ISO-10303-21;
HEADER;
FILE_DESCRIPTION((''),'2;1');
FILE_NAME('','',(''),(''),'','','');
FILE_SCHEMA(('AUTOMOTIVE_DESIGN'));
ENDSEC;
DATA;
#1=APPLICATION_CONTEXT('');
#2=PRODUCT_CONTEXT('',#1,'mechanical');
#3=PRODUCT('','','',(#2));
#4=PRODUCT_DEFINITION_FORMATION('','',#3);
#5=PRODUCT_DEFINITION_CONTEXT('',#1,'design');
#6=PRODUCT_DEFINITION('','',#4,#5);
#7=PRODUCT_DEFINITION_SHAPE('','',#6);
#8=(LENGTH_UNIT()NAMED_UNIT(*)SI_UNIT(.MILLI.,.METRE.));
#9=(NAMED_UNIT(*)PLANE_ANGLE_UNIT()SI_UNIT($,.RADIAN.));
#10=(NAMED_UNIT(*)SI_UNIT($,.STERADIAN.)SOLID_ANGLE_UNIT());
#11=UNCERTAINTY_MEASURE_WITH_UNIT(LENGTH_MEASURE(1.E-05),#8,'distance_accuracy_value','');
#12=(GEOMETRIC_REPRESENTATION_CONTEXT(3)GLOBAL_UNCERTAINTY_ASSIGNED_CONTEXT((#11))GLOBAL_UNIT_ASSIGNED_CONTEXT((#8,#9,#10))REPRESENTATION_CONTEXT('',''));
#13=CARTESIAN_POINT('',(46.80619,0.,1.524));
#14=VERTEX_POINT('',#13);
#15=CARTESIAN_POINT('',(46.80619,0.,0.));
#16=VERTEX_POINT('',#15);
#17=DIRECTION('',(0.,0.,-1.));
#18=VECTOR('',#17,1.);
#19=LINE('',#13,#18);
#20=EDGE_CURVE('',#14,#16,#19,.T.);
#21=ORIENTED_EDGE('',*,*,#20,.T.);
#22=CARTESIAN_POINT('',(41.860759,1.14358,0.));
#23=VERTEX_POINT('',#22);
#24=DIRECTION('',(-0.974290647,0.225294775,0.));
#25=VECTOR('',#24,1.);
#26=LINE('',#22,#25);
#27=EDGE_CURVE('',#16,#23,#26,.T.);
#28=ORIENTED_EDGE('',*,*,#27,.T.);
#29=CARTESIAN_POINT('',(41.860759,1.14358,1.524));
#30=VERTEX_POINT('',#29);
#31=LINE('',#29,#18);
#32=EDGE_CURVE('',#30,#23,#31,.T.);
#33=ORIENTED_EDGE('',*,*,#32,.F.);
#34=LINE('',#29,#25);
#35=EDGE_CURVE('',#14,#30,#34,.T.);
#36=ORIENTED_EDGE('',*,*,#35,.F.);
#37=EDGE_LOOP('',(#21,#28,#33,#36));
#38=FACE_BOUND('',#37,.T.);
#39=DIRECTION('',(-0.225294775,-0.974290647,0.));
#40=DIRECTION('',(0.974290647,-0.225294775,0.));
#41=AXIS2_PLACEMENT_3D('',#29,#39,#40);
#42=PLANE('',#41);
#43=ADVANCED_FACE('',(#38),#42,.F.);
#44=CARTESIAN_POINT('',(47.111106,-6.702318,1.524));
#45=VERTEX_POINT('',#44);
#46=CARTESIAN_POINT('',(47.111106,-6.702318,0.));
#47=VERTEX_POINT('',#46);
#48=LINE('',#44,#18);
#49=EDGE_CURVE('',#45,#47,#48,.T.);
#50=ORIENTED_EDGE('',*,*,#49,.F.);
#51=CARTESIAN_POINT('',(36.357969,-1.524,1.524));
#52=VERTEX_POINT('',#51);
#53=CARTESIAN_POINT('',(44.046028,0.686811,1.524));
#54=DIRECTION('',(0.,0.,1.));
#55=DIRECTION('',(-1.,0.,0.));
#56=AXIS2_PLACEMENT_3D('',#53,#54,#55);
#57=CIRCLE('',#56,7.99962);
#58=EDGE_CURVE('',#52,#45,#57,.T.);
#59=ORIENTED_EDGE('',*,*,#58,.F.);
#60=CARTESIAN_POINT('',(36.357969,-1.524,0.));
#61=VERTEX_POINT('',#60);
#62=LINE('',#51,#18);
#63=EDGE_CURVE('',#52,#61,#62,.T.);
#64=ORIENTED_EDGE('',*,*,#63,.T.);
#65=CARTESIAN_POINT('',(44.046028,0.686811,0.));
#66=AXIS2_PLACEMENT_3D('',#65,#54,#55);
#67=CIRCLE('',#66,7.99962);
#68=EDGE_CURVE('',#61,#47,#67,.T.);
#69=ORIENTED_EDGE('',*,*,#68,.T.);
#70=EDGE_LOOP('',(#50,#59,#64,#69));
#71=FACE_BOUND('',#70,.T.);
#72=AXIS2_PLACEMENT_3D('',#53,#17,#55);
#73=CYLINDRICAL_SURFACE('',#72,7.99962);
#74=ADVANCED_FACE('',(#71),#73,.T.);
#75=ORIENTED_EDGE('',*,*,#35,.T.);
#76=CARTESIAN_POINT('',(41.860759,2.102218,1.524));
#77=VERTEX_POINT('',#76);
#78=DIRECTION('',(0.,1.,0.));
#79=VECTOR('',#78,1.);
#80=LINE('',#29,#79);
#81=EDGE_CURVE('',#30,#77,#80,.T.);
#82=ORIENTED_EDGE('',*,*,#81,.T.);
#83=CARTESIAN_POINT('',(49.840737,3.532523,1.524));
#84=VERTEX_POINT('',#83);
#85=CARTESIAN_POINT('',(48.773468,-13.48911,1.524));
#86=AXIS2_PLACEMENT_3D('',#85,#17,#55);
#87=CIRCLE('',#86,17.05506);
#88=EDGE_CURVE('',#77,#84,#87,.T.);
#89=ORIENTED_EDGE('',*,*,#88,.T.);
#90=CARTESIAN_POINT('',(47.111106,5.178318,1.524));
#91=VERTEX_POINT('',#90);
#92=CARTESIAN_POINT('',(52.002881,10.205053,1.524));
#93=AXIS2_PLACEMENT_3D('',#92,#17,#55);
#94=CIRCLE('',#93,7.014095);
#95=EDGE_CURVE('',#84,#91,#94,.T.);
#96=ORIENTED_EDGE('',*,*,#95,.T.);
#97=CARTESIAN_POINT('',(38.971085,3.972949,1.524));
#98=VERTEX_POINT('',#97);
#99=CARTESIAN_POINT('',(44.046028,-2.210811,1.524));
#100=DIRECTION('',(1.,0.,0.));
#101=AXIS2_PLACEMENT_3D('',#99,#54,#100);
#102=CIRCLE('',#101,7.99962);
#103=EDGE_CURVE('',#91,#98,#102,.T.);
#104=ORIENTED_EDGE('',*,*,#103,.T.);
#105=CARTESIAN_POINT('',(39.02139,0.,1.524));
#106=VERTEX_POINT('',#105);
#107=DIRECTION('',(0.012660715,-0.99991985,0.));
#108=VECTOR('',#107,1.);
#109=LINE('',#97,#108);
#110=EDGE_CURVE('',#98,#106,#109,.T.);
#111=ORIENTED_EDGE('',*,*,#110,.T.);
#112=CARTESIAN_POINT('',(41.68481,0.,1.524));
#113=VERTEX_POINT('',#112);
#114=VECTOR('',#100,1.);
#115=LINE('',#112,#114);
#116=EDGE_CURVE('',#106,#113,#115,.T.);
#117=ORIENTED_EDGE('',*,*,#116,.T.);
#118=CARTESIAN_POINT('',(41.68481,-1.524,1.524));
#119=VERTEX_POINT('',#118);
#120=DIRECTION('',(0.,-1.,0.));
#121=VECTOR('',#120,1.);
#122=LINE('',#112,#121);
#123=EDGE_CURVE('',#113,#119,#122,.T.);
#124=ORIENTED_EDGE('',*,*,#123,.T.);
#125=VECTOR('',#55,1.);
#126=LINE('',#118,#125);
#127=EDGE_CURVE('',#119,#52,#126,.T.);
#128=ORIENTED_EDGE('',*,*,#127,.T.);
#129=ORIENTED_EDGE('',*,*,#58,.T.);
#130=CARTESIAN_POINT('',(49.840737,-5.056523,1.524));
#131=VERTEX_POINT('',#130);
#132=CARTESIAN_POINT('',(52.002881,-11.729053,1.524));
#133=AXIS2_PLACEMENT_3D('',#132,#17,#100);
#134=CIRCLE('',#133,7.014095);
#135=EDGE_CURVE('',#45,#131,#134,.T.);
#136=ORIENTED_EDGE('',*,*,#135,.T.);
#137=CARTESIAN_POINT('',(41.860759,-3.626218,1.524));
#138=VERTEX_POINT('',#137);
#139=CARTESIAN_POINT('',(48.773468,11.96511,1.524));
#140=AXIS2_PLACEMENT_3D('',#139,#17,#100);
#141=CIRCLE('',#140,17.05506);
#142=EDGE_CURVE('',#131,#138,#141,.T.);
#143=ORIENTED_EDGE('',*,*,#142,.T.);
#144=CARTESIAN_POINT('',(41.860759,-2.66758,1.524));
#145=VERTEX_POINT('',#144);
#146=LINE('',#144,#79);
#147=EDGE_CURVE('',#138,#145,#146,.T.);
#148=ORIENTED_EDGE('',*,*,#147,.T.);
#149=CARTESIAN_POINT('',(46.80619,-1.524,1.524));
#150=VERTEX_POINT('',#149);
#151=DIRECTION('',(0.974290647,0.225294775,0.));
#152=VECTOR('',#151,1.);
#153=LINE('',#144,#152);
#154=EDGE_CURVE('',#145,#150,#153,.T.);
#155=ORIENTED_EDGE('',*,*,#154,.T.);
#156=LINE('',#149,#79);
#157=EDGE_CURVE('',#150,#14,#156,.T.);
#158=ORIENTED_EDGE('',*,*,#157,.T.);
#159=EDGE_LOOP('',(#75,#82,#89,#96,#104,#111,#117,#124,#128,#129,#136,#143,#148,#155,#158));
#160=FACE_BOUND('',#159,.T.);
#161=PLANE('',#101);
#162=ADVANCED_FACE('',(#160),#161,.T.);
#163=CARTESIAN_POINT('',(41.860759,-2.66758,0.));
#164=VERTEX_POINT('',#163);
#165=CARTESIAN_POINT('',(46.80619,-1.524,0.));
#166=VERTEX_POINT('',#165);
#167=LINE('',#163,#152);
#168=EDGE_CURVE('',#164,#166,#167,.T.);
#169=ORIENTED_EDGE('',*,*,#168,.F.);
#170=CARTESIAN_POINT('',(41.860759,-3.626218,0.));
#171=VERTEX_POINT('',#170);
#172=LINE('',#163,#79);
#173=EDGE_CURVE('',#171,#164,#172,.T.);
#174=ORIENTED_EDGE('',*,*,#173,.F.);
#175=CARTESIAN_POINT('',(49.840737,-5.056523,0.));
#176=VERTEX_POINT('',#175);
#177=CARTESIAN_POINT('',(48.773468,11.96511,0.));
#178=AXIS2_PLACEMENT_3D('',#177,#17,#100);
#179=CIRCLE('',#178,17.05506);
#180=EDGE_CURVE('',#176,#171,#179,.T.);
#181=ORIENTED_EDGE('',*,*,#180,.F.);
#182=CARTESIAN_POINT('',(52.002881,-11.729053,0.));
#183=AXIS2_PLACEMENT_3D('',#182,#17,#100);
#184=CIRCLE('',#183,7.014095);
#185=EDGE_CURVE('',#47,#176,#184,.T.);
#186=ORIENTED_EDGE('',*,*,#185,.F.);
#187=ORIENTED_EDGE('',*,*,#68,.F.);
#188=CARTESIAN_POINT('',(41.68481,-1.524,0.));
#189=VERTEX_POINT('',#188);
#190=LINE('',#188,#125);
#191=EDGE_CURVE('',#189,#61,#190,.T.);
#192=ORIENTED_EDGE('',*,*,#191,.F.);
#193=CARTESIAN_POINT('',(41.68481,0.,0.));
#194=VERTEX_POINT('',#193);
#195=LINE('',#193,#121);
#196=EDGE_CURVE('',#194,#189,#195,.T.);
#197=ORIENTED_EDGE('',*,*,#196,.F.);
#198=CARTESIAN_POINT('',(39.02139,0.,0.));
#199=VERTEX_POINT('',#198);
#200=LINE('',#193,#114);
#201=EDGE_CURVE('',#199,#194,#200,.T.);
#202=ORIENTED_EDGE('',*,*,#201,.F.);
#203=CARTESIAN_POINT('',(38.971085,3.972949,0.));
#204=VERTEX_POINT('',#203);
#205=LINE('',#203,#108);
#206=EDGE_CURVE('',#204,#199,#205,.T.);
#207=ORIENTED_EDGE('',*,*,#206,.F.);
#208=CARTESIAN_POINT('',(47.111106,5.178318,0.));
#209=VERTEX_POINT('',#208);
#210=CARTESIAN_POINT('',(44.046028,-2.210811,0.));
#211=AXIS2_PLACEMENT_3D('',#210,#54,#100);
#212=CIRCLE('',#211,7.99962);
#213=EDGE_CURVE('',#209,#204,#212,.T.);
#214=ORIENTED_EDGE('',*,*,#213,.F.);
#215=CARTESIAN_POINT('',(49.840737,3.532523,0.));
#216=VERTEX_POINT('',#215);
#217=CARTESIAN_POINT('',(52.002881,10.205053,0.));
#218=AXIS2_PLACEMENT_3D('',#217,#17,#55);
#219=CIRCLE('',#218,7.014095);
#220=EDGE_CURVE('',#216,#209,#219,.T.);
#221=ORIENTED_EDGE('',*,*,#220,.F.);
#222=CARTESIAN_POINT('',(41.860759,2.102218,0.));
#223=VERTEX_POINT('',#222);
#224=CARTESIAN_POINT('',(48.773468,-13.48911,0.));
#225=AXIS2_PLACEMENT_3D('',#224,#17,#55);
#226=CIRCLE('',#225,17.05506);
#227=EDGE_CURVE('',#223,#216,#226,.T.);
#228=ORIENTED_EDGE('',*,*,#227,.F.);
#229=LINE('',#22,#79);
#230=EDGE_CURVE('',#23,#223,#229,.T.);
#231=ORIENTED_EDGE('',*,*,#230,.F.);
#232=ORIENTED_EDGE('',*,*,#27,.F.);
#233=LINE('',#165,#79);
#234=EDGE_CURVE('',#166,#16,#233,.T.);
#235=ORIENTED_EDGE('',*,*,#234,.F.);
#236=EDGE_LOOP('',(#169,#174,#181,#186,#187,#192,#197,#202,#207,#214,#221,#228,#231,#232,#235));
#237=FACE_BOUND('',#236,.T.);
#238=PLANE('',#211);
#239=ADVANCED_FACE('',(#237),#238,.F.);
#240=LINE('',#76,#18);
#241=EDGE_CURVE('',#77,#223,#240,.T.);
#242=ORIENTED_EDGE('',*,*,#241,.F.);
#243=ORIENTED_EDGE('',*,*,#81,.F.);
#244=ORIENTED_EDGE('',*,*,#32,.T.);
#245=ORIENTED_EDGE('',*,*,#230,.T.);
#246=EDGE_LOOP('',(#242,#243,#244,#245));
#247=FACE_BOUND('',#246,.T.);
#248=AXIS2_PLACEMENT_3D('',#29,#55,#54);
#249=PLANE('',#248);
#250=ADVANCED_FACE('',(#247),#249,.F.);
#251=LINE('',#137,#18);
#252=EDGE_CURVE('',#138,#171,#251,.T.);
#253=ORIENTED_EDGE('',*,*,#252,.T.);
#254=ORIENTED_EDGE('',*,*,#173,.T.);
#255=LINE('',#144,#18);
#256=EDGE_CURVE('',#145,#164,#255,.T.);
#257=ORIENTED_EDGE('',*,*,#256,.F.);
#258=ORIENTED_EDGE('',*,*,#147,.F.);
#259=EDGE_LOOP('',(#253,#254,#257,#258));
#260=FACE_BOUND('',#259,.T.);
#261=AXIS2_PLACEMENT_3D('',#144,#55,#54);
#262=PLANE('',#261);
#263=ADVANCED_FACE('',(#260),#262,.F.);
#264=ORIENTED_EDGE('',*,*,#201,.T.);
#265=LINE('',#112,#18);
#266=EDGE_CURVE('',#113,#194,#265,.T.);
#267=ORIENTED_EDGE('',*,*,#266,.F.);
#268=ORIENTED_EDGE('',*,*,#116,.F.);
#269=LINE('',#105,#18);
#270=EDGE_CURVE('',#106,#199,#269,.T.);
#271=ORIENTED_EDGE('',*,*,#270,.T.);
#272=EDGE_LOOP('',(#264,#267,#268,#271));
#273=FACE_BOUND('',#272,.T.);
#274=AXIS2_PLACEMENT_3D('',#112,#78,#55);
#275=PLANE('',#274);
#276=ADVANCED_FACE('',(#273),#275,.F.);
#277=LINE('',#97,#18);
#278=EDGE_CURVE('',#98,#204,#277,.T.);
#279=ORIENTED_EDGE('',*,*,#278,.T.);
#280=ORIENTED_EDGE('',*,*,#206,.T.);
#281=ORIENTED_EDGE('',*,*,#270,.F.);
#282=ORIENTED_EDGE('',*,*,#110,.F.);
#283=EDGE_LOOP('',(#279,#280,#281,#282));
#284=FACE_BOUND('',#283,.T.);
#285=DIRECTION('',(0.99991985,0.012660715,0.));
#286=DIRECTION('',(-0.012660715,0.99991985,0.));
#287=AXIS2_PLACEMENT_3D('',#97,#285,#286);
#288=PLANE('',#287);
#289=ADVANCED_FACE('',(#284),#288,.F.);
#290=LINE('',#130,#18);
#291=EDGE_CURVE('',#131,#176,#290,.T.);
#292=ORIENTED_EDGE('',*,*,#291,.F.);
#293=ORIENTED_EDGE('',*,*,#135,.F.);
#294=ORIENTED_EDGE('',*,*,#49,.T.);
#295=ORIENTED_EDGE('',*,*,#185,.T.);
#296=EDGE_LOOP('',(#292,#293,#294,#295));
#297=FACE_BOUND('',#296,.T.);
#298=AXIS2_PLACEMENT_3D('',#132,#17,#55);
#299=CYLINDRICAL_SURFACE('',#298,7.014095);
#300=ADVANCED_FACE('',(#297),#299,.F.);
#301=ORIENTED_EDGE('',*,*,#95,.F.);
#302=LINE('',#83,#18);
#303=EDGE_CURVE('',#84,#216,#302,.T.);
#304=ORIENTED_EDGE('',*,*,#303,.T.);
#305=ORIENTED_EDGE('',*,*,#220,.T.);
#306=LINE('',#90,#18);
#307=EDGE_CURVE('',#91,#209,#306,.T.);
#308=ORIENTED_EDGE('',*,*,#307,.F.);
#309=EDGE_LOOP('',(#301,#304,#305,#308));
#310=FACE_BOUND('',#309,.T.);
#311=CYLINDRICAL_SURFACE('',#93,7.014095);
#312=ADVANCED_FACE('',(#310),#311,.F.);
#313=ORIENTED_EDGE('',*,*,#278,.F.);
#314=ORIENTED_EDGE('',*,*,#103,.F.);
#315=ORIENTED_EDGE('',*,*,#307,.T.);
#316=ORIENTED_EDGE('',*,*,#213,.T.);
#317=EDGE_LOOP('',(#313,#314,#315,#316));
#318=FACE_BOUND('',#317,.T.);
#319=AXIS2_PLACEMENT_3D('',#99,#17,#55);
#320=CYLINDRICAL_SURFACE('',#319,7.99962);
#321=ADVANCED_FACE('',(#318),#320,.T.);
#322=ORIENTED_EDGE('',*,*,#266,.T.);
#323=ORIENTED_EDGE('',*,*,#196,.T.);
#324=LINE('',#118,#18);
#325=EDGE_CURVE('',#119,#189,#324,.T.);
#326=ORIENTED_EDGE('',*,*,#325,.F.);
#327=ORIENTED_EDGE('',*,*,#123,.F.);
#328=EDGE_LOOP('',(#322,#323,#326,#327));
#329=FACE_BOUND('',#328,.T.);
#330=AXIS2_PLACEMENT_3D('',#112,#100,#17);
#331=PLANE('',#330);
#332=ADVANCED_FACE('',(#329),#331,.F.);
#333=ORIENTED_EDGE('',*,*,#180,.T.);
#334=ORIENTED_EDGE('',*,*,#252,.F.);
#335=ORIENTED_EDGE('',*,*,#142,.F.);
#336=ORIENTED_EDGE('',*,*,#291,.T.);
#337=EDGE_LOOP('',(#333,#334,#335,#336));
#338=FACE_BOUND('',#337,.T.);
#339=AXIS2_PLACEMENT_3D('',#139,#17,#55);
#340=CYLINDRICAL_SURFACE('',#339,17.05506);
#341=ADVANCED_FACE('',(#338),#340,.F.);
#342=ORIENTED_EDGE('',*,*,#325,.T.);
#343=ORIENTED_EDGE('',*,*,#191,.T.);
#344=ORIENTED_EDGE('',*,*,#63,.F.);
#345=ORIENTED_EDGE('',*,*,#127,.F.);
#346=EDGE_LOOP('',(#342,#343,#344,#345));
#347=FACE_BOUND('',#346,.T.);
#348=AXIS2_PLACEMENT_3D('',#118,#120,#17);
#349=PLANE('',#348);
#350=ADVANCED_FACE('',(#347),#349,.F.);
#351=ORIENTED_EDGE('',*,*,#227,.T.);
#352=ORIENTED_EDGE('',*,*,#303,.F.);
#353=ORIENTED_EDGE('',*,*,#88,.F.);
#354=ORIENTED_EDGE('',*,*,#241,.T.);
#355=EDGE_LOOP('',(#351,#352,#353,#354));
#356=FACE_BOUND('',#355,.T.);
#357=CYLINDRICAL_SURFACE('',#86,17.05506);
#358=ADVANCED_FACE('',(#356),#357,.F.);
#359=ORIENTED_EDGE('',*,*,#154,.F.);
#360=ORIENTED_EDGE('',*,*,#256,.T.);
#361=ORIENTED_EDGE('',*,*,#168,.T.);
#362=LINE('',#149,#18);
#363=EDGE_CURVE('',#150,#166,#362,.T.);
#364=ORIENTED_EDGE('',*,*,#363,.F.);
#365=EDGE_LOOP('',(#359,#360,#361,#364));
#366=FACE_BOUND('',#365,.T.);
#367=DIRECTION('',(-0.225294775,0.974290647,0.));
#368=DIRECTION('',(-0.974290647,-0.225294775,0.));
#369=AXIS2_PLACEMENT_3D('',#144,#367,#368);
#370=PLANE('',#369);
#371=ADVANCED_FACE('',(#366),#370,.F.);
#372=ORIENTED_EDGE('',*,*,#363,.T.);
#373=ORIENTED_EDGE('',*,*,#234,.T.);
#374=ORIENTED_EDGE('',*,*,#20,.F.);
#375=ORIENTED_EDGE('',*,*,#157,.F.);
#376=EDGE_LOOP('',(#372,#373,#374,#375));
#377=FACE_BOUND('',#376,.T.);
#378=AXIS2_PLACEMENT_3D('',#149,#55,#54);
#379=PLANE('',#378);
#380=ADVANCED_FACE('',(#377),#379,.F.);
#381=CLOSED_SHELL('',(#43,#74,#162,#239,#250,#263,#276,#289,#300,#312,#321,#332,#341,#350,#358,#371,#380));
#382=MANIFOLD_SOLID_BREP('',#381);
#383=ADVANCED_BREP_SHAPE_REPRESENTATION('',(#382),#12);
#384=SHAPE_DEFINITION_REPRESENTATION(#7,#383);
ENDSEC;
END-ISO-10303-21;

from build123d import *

# Parameters (mm, degrees)
BOSS_EXTRUDE1_DEPTH = 1.524


with BuildPart() as part:
    # Sketch1 → Boss-Extrude1 (new body)
    with BuildSketch(Plane.XY):
        with BuildLine():
            Line((41.68481024, 0), (41.68481024, -1.524))
            Line((41.68481024, -1.524), (36.357969238, -1.524))
            ThreePointArc((36.357969238, -1.524), (40.575187599, -6.520629639), (47.11110588, -6.702318062))
            ThreePointArc((47.11110588, -6.702318062), (48.381195539, -5.722313338), (49.840736605, -5.056522921))
            ThreePointArc((49.840736605, -5.056522921), (45.764525456, -4.822424484), (41.860759392, -3.626218014))
            Line((41.860759392, -3.626218014), (41.860759392, -2.667580322))
            Line((41.860759392, -2.667580322), (46.80618972, -1.524))
            Line((46.80618972, -1.524), (46.80618972, 0))
            Line((46.80618972, 0), (41.860759392, 1.143580322))
            Line((41.860759392, 1.143580322), (41.860759392, 2.102218014))
            ThreePointArc((41.860759392, 2.102218014), (45.764525456, 3.298424484), (49.840736605, 3.532522921))
            ThreePointArc((49.840736605, 3.532522921), (48.381195539, 4.198313338), (47.11110588, 5.178318062))
            ThreePointArc((47.11110588, 5.178318062), (42.874226953, 5.702520491), (38.97108533, 3.972949241))
            Line((38.97108533, 3.972949241), (39.021389739, 0))
            Line((39.021389739, 0), (41.68481024, 0))
        make_face()
    extrude(amount=BOSS_EXTRUDE1_DEPTH)


solid = part.part
